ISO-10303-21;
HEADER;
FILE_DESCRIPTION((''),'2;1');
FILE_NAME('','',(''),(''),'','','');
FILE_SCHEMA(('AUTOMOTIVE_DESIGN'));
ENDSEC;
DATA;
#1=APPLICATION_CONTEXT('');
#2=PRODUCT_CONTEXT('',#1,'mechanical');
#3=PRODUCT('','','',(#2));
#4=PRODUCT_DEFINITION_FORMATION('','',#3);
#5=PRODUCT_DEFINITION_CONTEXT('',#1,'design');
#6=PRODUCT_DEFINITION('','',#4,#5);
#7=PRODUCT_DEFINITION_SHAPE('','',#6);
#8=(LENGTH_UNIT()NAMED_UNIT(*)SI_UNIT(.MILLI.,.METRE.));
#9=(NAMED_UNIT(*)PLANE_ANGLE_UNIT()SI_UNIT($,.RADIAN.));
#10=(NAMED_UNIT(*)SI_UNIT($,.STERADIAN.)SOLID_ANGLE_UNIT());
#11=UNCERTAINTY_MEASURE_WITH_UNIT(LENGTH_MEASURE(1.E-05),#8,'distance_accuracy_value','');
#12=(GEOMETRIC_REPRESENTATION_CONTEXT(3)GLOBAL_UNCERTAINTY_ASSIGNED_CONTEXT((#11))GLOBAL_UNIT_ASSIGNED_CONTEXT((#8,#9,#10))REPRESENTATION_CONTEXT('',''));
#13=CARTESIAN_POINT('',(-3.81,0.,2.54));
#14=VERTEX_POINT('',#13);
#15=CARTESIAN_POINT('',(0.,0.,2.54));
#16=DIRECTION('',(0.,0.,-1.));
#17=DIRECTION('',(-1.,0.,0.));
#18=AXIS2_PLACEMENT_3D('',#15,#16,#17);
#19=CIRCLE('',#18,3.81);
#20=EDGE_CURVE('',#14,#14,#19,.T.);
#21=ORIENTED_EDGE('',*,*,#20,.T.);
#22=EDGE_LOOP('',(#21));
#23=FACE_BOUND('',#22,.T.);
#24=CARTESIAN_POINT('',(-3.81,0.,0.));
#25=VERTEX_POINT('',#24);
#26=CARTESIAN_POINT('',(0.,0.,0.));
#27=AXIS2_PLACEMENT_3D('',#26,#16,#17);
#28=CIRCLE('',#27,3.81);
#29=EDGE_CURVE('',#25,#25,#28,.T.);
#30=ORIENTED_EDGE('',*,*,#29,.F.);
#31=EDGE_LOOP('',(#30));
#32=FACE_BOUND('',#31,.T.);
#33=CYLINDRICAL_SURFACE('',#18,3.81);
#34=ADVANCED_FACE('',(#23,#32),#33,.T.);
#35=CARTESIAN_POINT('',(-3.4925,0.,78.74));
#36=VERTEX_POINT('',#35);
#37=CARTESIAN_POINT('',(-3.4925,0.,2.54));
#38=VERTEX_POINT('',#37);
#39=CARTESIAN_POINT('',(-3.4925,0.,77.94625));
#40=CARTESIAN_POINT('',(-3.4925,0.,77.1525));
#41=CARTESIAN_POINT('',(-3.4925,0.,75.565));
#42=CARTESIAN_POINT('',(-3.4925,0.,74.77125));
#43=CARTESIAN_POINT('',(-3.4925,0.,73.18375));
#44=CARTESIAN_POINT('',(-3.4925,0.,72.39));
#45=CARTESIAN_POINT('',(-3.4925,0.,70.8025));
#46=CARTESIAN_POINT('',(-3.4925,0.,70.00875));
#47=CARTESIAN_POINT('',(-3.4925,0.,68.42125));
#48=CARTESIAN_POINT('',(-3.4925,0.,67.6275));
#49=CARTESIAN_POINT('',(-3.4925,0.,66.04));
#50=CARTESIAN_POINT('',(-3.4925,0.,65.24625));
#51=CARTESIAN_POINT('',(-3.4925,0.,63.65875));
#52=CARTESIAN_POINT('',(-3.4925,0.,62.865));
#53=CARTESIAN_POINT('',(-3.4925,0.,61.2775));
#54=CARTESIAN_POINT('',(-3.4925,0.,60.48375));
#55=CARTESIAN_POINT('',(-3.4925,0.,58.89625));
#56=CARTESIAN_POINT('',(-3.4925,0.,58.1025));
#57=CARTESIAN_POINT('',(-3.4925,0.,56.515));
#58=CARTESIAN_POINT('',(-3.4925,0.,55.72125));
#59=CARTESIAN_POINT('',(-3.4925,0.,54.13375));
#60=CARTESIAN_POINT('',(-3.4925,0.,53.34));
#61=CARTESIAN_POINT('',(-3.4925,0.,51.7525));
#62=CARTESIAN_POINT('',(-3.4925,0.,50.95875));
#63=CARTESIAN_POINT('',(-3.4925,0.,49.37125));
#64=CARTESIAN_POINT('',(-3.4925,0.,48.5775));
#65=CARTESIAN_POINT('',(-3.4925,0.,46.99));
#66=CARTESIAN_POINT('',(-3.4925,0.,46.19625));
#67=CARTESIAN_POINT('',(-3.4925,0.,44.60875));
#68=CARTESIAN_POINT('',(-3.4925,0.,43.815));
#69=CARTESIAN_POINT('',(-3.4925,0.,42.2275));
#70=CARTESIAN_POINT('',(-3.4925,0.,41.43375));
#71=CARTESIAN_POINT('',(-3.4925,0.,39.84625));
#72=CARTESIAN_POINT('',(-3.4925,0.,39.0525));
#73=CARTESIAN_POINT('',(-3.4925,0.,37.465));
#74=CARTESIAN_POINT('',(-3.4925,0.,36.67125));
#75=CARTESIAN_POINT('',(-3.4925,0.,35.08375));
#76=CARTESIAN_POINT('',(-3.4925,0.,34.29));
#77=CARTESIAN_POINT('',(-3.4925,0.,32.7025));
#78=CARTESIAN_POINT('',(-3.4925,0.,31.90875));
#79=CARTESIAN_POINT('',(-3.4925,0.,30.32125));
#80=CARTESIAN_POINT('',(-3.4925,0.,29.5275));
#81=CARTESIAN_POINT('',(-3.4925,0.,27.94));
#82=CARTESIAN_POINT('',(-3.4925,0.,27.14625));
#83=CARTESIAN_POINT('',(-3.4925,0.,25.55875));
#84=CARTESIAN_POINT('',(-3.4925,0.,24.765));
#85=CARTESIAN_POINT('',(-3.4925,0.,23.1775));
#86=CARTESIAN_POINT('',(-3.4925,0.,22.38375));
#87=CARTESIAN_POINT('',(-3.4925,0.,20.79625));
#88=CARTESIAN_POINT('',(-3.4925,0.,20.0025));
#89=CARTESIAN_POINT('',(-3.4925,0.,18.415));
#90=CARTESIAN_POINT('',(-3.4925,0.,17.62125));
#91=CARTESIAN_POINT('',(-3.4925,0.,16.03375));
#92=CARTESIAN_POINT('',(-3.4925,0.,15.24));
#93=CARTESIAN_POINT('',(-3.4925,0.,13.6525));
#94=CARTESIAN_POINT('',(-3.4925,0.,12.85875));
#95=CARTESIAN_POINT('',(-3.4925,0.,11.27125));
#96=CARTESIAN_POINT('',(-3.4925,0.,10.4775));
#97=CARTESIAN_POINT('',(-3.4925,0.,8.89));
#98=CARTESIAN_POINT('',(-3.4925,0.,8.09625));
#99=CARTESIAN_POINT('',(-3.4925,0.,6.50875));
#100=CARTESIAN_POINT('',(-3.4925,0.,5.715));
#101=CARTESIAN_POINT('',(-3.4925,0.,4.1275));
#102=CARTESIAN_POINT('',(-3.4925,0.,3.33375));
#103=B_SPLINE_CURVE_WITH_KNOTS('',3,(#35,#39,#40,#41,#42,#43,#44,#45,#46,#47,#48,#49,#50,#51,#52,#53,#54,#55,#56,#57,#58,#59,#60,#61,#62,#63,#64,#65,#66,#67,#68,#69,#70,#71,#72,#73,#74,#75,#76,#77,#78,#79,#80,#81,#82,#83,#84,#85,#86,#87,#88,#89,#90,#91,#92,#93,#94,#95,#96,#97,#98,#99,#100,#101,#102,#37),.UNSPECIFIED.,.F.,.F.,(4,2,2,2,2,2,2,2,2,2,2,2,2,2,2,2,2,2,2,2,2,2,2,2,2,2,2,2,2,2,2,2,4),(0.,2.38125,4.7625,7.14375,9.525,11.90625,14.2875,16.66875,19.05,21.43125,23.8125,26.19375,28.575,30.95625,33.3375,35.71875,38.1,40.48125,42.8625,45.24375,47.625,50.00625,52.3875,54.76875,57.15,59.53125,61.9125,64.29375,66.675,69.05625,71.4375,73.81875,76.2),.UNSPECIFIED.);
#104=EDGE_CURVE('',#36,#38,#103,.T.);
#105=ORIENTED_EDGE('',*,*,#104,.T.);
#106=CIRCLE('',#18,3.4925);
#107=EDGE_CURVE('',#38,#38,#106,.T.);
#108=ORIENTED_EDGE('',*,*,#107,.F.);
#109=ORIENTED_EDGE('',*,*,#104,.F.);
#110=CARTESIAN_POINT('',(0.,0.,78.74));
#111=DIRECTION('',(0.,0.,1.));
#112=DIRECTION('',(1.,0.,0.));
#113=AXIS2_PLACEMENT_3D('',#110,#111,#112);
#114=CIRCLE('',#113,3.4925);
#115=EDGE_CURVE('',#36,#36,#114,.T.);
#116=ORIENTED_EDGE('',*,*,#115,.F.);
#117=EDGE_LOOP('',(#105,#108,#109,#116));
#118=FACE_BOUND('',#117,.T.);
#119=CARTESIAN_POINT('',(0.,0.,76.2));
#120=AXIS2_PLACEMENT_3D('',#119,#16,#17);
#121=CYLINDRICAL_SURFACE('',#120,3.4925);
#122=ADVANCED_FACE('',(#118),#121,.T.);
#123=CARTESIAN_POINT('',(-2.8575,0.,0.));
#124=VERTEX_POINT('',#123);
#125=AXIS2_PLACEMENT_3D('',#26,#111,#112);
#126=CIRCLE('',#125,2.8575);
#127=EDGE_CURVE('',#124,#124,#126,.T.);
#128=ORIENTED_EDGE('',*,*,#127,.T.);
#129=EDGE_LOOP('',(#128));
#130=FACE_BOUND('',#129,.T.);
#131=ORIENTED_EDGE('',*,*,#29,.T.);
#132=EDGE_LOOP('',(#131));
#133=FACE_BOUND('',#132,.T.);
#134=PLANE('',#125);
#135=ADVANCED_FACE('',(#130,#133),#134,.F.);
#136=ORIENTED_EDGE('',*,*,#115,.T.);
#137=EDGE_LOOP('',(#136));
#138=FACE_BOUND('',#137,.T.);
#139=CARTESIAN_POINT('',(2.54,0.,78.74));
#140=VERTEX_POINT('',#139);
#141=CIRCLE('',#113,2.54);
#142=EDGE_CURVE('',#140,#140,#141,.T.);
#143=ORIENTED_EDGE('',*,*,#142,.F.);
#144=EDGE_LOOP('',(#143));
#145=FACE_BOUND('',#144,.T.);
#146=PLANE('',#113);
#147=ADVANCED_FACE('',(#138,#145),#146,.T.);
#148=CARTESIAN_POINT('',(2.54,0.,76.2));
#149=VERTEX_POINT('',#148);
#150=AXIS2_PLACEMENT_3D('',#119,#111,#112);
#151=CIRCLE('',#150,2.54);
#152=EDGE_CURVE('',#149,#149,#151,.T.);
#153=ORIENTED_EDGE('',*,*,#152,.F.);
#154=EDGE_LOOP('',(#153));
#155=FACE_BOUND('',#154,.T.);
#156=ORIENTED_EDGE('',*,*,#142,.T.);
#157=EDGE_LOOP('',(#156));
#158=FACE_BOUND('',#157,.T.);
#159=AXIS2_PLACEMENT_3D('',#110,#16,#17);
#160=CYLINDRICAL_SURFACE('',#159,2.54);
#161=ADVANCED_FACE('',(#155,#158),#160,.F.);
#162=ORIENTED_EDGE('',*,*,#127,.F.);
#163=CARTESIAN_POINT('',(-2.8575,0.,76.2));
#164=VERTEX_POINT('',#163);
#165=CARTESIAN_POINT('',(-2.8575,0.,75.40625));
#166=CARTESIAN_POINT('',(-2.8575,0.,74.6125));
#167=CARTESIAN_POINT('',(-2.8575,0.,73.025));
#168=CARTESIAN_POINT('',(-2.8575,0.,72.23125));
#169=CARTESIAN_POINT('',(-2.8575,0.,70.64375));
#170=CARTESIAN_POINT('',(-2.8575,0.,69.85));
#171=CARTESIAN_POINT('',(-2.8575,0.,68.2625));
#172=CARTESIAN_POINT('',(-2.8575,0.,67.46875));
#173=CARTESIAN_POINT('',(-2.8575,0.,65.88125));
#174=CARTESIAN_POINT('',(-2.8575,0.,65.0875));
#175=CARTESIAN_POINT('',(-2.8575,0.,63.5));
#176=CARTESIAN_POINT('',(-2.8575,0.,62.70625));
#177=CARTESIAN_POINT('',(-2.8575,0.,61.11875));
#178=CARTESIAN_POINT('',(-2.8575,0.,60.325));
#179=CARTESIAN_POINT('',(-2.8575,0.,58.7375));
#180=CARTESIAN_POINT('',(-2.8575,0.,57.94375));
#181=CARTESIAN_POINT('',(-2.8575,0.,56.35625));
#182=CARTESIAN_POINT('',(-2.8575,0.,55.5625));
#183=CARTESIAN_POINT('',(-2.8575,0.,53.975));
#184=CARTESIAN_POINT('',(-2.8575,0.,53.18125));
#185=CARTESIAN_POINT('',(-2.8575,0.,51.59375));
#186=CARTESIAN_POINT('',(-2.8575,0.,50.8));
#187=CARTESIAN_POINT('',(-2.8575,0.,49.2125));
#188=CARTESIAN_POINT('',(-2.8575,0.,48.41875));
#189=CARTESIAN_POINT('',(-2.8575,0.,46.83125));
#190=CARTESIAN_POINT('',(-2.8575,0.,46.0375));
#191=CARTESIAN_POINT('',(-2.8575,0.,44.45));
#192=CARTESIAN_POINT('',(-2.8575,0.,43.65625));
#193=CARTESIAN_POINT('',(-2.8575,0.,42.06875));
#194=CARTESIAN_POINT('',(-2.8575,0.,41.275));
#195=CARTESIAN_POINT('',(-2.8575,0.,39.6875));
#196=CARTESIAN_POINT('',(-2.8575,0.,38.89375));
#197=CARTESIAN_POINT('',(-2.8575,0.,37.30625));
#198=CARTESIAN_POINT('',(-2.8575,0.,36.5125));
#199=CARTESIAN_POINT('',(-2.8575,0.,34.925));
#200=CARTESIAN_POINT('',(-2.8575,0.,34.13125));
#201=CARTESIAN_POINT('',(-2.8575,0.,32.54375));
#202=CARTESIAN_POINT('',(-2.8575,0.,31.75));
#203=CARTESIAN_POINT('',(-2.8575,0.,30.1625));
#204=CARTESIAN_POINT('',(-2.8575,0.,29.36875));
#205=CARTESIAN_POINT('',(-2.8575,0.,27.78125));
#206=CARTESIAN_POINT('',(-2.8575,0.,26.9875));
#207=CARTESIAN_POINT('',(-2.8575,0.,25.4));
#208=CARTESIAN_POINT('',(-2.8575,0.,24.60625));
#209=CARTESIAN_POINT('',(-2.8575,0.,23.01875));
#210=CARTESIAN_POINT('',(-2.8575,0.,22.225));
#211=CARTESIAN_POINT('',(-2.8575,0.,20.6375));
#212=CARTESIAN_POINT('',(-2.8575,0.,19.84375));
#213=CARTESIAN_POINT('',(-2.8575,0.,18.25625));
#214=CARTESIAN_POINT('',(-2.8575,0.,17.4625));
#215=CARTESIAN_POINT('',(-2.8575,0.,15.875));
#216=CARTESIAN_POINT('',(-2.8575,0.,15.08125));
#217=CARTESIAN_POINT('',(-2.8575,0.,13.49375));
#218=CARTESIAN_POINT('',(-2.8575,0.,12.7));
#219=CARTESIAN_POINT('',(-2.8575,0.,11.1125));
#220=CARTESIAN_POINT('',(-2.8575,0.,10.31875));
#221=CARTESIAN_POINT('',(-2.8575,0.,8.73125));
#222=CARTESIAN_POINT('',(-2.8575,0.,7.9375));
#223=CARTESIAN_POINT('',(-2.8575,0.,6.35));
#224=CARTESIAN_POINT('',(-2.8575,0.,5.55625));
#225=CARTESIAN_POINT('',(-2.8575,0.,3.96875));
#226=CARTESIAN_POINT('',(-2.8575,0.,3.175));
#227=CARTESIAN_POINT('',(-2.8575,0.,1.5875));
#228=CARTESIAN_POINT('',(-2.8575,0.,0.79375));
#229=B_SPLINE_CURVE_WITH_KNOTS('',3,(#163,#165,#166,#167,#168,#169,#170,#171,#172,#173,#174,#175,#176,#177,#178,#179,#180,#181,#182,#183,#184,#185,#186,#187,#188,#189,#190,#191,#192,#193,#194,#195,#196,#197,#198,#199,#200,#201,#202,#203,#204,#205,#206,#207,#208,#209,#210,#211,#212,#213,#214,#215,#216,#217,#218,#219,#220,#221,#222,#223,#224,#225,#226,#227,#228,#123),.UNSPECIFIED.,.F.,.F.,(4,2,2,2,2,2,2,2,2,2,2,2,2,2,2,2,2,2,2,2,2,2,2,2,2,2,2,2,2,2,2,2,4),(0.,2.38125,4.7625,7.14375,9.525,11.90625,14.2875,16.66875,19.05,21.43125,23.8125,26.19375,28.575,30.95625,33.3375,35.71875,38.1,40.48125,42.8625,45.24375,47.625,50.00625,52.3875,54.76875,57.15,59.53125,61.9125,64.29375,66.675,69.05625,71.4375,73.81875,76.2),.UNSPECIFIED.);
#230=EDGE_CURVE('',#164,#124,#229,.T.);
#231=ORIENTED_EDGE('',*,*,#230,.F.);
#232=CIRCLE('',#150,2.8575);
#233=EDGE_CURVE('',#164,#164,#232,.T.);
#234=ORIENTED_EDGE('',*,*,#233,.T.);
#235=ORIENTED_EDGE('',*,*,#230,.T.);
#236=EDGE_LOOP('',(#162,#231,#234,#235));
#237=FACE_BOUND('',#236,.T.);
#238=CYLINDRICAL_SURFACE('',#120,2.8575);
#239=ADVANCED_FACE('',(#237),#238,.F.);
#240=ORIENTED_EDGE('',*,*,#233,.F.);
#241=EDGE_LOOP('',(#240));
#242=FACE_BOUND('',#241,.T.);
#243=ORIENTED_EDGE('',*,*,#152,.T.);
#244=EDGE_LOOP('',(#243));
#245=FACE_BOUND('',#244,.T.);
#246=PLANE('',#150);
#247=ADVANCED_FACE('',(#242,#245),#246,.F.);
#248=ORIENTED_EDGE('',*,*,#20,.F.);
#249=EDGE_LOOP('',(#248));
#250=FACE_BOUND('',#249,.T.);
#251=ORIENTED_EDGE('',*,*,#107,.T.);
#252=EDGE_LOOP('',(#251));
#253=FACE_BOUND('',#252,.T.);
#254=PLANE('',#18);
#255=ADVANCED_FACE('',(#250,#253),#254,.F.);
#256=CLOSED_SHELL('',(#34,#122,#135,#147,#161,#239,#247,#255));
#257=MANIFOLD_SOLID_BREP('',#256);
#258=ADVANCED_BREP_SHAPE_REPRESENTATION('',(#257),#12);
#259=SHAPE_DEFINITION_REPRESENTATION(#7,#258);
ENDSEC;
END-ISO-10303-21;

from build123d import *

# Parameters (mm, degrees)
SKETCH1_R           = 3.4925
SKETCH1_R_2         = 2.8575
BOSS_EXTRUDE1_DEPTH = 76.2
SKETCH2_R           = 3.4925
SKETCH2_R_2         = 2.54
BOSS_EXTRUDE2_DEPTH = 2.54
SKETCH3_R           = 3.81
SKETCH3_R_2         = 3.4925
BOSS_EXTRUDE3_DEPTH = 2.54


with BuildPart() as part:
    # Sketch1 → Boss-Extrude1 (new body)
    with BuildSketch(Plane.XY):
        with Locations(Location((0, 0, 0), (0, 0, 180))):
            Circle(SKETCH1_R)
        with Locations(Location((0, 0, 0), (0, 0, 180))):
            Circle(SKETCH1_R_2, mode=Mode.SUBTRACT)
    extrude(amount=BOSS_EXTRUDE1_DEPTH)

    # Sketch2 → Boss-Extrude2 (add)
    with BuildSketch(Plane.XY.offset(76.2)):
        with Locations(Location((0, 0, 0), (0, 0, 180))):
            Circle(SKETCH2_R)
        Circle(SKETCH2_R_2, mode=Mode.SUBTRACT)
    extrude(amount=BOSS_EXTRUDE2_DEPTH)

    # Sketch3 → Boss-Extrude3 (add)
    with BuildSketch(Plane(origin=(0, 0, 0), x_dir=(-1, 0, 0), z_dir=(0, 0, -1))):
        Circle(SKETCH3_R)
        Circle(SKETCH3_R_2, mode=Mode.SUBTRACT)
    extrude(amount=-BOSS_EXTRUDE3_DEPTH)


solid = part.part
